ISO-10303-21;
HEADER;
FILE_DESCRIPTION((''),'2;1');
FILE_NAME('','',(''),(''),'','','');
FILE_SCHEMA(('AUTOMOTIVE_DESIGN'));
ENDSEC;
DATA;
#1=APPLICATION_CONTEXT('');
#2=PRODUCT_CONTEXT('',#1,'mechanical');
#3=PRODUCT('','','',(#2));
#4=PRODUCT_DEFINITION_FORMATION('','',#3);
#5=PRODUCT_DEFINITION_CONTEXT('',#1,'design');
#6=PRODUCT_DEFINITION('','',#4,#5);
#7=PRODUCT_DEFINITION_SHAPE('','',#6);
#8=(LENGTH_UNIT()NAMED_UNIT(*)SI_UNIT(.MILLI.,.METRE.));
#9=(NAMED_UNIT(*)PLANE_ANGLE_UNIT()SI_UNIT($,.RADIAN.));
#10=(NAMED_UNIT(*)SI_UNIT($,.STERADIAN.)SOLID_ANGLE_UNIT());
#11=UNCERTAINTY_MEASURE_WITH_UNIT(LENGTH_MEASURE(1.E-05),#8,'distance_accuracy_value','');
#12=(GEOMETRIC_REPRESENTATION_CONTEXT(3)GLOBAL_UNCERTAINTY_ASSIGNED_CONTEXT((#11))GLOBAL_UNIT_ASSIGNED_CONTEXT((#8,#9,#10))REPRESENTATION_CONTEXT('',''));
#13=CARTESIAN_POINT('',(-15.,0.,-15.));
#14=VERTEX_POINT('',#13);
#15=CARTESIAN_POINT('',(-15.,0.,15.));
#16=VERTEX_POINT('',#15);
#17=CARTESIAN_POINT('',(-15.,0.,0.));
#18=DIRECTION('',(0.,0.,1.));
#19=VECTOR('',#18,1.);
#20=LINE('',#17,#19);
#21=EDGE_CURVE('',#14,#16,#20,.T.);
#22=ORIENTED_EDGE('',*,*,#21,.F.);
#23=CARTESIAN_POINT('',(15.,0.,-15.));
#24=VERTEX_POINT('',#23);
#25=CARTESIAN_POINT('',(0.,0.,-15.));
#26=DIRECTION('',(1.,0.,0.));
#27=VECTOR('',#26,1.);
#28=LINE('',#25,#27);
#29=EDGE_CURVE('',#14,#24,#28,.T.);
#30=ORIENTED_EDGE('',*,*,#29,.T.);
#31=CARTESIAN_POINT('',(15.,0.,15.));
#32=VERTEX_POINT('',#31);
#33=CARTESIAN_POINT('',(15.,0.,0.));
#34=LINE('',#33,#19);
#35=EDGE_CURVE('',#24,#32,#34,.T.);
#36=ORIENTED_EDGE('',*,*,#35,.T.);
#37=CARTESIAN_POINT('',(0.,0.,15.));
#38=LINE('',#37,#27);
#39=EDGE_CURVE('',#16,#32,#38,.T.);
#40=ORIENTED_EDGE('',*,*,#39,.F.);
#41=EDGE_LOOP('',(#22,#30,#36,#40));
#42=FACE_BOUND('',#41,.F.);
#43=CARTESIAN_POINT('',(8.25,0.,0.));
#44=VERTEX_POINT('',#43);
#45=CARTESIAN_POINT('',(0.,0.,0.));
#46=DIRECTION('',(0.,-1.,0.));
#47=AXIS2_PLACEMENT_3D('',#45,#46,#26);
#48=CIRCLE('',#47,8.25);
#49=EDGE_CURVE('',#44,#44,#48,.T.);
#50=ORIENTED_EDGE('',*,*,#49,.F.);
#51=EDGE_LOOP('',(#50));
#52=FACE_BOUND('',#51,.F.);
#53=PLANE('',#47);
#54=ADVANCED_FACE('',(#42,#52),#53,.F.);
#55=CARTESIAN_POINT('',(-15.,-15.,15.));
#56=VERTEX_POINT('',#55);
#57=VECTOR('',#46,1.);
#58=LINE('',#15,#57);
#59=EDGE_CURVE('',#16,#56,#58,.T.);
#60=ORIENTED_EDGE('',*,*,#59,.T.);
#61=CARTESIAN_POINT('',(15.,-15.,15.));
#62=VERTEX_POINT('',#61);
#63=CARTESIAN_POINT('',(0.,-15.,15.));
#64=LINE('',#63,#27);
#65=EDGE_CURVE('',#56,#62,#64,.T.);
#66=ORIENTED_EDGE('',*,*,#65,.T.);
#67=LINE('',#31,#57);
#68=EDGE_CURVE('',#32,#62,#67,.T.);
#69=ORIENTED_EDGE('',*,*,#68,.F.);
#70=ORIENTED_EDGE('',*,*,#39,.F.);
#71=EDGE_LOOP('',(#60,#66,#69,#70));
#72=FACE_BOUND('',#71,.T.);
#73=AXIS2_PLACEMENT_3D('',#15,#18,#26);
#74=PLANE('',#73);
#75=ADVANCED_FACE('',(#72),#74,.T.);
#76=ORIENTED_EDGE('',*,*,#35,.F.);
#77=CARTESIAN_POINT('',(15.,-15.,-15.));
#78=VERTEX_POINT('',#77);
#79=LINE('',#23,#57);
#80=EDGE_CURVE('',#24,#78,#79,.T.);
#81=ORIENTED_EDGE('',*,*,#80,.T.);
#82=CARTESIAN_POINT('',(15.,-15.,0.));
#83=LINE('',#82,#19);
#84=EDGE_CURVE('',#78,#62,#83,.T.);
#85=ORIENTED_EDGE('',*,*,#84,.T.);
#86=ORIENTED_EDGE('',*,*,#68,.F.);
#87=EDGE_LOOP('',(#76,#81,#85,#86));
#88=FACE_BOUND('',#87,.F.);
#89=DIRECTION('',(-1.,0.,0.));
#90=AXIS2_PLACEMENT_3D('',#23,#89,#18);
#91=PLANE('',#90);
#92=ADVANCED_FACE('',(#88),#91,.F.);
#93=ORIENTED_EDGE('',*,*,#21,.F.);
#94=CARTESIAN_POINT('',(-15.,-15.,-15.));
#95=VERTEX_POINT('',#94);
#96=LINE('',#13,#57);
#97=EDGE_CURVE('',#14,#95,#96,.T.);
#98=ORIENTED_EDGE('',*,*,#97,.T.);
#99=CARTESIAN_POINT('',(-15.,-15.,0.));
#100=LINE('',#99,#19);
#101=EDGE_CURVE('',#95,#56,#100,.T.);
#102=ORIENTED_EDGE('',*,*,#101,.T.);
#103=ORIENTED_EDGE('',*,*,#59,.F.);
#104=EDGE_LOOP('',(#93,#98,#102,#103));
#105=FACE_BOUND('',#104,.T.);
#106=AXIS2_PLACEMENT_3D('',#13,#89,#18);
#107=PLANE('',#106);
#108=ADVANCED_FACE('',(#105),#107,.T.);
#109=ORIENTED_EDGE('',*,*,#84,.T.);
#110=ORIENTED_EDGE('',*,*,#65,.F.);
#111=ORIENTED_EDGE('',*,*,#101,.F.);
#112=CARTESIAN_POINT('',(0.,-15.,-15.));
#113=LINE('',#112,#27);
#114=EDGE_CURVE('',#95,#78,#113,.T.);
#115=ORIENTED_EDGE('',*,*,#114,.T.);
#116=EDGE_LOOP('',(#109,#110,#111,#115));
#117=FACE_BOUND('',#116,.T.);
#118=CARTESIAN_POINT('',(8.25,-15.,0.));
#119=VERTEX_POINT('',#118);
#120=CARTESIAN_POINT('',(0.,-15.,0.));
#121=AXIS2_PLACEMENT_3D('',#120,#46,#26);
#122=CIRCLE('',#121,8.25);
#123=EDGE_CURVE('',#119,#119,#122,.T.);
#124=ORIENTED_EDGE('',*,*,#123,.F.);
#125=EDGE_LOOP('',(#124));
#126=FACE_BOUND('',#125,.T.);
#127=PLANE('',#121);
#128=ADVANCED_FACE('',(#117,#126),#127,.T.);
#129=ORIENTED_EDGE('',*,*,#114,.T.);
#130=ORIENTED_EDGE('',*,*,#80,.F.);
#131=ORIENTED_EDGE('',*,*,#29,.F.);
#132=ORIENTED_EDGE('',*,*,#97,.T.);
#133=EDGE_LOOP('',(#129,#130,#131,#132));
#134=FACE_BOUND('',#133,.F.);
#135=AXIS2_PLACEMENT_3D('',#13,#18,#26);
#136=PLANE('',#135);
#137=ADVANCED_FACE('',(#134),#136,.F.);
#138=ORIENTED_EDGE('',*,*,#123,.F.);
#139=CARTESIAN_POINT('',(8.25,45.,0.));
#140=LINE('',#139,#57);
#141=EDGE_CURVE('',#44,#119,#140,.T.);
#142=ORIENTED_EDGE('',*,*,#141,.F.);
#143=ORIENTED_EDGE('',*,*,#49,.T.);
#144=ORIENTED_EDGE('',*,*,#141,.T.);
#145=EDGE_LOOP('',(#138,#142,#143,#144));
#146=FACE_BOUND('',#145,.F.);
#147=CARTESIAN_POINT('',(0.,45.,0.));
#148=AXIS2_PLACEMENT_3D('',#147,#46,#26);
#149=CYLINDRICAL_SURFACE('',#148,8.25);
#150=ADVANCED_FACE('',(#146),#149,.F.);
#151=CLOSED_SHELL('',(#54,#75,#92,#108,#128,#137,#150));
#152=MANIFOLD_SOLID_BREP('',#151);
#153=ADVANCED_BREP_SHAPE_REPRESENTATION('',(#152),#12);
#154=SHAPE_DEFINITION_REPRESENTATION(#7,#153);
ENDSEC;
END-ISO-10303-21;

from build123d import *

# Parameters (mm, degrees)
F0_W     = 30
F0_H     = 30
F1_DEPTH = 15
F3_D     = 16.5


with BuildPart() as f1:
    # F0 (on Front) → F1 (new body)
    with BuildSketch(Plane.XZ):
        Rectangle(F0_W, F0_H)
    extrude(amount=F1_DEPTH)

    # F3 (through all)
    with Locations(Plane(origin=(0, 0, 0), x_dir=(-1, 0, 0), z_dir=(0, 1, 0))):
        with Locations((0, 0)):
            Hole(F3_D / 2)


solid = f1.part
